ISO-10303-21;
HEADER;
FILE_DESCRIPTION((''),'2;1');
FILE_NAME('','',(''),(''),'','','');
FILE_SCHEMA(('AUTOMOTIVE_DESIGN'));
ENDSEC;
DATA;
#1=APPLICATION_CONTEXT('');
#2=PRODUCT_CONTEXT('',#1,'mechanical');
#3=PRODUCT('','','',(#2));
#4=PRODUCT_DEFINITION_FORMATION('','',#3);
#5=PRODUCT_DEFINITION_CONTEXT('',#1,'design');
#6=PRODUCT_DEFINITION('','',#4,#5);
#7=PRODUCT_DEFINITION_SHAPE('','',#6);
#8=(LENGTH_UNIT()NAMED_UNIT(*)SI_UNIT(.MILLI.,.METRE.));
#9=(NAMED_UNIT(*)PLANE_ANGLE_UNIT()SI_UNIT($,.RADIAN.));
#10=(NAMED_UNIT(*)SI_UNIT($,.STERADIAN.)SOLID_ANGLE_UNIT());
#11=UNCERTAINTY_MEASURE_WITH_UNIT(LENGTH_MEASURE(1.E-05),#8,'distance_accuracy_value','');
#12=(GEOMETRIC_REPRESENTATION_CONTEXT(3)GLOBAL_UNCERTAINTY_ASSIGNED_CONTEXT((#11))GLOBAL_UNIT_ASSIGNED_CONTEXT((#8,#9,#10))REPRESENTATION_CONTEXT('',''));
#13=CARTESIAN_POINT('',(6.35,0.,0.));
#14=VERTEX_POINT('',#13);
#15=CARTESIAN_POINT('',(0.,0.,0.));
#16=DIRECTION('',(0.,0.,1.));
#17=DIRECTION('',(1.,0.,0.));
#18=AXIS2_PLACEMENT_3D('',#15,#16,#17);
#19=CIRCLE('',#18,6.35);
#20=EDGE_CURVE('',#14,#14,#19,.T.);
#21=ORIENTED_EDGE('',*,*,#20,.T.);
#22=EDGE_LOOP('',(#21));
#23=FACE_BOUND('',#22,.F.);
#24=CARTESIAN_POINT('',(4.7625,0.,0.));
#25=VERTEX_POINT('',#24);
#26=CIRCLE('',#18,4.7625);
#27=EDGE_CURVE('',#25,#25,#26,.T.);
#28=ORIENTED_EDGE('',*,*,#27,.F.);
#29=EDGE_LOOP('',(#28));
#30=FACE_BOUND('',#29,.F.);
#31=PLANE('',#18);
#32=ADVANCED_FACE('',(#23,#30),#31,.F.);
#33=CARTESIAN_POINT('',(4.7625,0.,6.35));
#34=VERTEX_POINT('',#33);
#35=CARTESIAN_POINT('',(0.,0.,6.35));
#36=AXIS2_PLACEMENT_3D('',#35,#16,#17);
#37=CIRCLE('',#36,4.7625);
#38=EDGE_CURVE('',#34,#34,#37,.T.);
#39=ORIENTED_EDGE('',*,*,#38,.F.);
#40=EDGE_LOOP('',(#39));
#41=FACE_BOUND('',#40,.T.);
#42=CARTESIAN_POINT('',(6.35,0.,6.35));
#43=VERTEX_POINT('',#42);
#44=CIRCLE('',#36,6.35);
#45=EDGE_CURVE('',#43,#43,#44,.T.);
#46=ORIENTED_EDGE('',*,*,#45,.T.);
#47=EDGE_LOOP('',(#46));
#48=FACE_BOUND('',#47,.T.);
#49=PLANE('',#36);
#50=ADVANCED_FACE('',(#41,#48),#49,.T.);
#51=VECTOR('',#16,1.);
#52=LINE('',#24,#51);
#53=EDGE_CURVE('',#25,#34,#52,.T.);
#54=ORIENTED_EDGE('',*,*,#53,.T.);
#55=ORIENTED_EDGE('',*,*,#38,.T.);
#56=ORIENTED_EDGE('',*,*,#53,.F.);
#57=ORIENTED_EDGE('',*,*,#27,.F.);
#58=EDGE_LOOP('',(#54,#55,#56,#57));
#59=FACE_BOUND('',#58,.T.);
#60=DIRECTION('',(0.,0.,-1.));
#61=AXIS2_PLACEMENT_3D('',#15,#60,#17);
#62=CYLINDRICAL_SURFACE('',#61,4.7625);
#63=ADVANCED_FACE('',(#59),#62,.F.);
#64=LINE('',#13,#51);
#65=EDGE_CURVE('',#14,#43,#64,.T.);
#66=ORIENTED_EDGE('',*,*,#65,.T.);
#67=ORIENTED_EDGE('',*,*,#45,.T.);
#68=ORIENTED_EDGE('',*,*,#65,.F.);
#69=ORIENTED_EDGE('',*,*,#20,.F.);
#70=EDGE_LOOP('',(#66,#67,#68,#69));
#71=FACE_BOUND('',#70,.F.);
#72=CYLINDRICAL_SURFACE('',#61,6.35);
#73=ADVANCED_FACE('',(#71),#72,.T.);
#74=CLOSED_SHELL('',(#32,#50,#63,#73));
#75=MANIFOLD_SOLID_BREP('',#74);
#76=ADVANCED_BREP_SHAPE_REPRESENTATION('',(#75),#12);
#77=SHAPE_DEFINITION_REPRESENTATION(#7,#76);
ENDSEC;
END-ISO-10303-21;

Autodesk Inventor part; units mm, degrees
ref_plane "YZ Plane" through (0, 0, 0) normal (1, 0, 0) x (0, 1, 0)
ref_plane "XZ Plane" through (0, 0, 0) normal (0, 1, 0) x (-1, 0, 0)
ref_plane "XY Plane" through (0, 0, 0) normal (0, 0, 1) x (1, 0, 0)
sketch "Sketch1" plane through (0, 0, 0) normal (0, 0, 1) x (1, 0, 0)
  circle A0 centre (0, 0) radius 4.7625
  circle A1 centre (0, 0) radius 6.35
  dimension "d0" = 9.525
  dimension "d1" = 12.7
extrude "Extrusion1" add sketch "Sketch1" along normal blind 6.35
properties part number "collar"
